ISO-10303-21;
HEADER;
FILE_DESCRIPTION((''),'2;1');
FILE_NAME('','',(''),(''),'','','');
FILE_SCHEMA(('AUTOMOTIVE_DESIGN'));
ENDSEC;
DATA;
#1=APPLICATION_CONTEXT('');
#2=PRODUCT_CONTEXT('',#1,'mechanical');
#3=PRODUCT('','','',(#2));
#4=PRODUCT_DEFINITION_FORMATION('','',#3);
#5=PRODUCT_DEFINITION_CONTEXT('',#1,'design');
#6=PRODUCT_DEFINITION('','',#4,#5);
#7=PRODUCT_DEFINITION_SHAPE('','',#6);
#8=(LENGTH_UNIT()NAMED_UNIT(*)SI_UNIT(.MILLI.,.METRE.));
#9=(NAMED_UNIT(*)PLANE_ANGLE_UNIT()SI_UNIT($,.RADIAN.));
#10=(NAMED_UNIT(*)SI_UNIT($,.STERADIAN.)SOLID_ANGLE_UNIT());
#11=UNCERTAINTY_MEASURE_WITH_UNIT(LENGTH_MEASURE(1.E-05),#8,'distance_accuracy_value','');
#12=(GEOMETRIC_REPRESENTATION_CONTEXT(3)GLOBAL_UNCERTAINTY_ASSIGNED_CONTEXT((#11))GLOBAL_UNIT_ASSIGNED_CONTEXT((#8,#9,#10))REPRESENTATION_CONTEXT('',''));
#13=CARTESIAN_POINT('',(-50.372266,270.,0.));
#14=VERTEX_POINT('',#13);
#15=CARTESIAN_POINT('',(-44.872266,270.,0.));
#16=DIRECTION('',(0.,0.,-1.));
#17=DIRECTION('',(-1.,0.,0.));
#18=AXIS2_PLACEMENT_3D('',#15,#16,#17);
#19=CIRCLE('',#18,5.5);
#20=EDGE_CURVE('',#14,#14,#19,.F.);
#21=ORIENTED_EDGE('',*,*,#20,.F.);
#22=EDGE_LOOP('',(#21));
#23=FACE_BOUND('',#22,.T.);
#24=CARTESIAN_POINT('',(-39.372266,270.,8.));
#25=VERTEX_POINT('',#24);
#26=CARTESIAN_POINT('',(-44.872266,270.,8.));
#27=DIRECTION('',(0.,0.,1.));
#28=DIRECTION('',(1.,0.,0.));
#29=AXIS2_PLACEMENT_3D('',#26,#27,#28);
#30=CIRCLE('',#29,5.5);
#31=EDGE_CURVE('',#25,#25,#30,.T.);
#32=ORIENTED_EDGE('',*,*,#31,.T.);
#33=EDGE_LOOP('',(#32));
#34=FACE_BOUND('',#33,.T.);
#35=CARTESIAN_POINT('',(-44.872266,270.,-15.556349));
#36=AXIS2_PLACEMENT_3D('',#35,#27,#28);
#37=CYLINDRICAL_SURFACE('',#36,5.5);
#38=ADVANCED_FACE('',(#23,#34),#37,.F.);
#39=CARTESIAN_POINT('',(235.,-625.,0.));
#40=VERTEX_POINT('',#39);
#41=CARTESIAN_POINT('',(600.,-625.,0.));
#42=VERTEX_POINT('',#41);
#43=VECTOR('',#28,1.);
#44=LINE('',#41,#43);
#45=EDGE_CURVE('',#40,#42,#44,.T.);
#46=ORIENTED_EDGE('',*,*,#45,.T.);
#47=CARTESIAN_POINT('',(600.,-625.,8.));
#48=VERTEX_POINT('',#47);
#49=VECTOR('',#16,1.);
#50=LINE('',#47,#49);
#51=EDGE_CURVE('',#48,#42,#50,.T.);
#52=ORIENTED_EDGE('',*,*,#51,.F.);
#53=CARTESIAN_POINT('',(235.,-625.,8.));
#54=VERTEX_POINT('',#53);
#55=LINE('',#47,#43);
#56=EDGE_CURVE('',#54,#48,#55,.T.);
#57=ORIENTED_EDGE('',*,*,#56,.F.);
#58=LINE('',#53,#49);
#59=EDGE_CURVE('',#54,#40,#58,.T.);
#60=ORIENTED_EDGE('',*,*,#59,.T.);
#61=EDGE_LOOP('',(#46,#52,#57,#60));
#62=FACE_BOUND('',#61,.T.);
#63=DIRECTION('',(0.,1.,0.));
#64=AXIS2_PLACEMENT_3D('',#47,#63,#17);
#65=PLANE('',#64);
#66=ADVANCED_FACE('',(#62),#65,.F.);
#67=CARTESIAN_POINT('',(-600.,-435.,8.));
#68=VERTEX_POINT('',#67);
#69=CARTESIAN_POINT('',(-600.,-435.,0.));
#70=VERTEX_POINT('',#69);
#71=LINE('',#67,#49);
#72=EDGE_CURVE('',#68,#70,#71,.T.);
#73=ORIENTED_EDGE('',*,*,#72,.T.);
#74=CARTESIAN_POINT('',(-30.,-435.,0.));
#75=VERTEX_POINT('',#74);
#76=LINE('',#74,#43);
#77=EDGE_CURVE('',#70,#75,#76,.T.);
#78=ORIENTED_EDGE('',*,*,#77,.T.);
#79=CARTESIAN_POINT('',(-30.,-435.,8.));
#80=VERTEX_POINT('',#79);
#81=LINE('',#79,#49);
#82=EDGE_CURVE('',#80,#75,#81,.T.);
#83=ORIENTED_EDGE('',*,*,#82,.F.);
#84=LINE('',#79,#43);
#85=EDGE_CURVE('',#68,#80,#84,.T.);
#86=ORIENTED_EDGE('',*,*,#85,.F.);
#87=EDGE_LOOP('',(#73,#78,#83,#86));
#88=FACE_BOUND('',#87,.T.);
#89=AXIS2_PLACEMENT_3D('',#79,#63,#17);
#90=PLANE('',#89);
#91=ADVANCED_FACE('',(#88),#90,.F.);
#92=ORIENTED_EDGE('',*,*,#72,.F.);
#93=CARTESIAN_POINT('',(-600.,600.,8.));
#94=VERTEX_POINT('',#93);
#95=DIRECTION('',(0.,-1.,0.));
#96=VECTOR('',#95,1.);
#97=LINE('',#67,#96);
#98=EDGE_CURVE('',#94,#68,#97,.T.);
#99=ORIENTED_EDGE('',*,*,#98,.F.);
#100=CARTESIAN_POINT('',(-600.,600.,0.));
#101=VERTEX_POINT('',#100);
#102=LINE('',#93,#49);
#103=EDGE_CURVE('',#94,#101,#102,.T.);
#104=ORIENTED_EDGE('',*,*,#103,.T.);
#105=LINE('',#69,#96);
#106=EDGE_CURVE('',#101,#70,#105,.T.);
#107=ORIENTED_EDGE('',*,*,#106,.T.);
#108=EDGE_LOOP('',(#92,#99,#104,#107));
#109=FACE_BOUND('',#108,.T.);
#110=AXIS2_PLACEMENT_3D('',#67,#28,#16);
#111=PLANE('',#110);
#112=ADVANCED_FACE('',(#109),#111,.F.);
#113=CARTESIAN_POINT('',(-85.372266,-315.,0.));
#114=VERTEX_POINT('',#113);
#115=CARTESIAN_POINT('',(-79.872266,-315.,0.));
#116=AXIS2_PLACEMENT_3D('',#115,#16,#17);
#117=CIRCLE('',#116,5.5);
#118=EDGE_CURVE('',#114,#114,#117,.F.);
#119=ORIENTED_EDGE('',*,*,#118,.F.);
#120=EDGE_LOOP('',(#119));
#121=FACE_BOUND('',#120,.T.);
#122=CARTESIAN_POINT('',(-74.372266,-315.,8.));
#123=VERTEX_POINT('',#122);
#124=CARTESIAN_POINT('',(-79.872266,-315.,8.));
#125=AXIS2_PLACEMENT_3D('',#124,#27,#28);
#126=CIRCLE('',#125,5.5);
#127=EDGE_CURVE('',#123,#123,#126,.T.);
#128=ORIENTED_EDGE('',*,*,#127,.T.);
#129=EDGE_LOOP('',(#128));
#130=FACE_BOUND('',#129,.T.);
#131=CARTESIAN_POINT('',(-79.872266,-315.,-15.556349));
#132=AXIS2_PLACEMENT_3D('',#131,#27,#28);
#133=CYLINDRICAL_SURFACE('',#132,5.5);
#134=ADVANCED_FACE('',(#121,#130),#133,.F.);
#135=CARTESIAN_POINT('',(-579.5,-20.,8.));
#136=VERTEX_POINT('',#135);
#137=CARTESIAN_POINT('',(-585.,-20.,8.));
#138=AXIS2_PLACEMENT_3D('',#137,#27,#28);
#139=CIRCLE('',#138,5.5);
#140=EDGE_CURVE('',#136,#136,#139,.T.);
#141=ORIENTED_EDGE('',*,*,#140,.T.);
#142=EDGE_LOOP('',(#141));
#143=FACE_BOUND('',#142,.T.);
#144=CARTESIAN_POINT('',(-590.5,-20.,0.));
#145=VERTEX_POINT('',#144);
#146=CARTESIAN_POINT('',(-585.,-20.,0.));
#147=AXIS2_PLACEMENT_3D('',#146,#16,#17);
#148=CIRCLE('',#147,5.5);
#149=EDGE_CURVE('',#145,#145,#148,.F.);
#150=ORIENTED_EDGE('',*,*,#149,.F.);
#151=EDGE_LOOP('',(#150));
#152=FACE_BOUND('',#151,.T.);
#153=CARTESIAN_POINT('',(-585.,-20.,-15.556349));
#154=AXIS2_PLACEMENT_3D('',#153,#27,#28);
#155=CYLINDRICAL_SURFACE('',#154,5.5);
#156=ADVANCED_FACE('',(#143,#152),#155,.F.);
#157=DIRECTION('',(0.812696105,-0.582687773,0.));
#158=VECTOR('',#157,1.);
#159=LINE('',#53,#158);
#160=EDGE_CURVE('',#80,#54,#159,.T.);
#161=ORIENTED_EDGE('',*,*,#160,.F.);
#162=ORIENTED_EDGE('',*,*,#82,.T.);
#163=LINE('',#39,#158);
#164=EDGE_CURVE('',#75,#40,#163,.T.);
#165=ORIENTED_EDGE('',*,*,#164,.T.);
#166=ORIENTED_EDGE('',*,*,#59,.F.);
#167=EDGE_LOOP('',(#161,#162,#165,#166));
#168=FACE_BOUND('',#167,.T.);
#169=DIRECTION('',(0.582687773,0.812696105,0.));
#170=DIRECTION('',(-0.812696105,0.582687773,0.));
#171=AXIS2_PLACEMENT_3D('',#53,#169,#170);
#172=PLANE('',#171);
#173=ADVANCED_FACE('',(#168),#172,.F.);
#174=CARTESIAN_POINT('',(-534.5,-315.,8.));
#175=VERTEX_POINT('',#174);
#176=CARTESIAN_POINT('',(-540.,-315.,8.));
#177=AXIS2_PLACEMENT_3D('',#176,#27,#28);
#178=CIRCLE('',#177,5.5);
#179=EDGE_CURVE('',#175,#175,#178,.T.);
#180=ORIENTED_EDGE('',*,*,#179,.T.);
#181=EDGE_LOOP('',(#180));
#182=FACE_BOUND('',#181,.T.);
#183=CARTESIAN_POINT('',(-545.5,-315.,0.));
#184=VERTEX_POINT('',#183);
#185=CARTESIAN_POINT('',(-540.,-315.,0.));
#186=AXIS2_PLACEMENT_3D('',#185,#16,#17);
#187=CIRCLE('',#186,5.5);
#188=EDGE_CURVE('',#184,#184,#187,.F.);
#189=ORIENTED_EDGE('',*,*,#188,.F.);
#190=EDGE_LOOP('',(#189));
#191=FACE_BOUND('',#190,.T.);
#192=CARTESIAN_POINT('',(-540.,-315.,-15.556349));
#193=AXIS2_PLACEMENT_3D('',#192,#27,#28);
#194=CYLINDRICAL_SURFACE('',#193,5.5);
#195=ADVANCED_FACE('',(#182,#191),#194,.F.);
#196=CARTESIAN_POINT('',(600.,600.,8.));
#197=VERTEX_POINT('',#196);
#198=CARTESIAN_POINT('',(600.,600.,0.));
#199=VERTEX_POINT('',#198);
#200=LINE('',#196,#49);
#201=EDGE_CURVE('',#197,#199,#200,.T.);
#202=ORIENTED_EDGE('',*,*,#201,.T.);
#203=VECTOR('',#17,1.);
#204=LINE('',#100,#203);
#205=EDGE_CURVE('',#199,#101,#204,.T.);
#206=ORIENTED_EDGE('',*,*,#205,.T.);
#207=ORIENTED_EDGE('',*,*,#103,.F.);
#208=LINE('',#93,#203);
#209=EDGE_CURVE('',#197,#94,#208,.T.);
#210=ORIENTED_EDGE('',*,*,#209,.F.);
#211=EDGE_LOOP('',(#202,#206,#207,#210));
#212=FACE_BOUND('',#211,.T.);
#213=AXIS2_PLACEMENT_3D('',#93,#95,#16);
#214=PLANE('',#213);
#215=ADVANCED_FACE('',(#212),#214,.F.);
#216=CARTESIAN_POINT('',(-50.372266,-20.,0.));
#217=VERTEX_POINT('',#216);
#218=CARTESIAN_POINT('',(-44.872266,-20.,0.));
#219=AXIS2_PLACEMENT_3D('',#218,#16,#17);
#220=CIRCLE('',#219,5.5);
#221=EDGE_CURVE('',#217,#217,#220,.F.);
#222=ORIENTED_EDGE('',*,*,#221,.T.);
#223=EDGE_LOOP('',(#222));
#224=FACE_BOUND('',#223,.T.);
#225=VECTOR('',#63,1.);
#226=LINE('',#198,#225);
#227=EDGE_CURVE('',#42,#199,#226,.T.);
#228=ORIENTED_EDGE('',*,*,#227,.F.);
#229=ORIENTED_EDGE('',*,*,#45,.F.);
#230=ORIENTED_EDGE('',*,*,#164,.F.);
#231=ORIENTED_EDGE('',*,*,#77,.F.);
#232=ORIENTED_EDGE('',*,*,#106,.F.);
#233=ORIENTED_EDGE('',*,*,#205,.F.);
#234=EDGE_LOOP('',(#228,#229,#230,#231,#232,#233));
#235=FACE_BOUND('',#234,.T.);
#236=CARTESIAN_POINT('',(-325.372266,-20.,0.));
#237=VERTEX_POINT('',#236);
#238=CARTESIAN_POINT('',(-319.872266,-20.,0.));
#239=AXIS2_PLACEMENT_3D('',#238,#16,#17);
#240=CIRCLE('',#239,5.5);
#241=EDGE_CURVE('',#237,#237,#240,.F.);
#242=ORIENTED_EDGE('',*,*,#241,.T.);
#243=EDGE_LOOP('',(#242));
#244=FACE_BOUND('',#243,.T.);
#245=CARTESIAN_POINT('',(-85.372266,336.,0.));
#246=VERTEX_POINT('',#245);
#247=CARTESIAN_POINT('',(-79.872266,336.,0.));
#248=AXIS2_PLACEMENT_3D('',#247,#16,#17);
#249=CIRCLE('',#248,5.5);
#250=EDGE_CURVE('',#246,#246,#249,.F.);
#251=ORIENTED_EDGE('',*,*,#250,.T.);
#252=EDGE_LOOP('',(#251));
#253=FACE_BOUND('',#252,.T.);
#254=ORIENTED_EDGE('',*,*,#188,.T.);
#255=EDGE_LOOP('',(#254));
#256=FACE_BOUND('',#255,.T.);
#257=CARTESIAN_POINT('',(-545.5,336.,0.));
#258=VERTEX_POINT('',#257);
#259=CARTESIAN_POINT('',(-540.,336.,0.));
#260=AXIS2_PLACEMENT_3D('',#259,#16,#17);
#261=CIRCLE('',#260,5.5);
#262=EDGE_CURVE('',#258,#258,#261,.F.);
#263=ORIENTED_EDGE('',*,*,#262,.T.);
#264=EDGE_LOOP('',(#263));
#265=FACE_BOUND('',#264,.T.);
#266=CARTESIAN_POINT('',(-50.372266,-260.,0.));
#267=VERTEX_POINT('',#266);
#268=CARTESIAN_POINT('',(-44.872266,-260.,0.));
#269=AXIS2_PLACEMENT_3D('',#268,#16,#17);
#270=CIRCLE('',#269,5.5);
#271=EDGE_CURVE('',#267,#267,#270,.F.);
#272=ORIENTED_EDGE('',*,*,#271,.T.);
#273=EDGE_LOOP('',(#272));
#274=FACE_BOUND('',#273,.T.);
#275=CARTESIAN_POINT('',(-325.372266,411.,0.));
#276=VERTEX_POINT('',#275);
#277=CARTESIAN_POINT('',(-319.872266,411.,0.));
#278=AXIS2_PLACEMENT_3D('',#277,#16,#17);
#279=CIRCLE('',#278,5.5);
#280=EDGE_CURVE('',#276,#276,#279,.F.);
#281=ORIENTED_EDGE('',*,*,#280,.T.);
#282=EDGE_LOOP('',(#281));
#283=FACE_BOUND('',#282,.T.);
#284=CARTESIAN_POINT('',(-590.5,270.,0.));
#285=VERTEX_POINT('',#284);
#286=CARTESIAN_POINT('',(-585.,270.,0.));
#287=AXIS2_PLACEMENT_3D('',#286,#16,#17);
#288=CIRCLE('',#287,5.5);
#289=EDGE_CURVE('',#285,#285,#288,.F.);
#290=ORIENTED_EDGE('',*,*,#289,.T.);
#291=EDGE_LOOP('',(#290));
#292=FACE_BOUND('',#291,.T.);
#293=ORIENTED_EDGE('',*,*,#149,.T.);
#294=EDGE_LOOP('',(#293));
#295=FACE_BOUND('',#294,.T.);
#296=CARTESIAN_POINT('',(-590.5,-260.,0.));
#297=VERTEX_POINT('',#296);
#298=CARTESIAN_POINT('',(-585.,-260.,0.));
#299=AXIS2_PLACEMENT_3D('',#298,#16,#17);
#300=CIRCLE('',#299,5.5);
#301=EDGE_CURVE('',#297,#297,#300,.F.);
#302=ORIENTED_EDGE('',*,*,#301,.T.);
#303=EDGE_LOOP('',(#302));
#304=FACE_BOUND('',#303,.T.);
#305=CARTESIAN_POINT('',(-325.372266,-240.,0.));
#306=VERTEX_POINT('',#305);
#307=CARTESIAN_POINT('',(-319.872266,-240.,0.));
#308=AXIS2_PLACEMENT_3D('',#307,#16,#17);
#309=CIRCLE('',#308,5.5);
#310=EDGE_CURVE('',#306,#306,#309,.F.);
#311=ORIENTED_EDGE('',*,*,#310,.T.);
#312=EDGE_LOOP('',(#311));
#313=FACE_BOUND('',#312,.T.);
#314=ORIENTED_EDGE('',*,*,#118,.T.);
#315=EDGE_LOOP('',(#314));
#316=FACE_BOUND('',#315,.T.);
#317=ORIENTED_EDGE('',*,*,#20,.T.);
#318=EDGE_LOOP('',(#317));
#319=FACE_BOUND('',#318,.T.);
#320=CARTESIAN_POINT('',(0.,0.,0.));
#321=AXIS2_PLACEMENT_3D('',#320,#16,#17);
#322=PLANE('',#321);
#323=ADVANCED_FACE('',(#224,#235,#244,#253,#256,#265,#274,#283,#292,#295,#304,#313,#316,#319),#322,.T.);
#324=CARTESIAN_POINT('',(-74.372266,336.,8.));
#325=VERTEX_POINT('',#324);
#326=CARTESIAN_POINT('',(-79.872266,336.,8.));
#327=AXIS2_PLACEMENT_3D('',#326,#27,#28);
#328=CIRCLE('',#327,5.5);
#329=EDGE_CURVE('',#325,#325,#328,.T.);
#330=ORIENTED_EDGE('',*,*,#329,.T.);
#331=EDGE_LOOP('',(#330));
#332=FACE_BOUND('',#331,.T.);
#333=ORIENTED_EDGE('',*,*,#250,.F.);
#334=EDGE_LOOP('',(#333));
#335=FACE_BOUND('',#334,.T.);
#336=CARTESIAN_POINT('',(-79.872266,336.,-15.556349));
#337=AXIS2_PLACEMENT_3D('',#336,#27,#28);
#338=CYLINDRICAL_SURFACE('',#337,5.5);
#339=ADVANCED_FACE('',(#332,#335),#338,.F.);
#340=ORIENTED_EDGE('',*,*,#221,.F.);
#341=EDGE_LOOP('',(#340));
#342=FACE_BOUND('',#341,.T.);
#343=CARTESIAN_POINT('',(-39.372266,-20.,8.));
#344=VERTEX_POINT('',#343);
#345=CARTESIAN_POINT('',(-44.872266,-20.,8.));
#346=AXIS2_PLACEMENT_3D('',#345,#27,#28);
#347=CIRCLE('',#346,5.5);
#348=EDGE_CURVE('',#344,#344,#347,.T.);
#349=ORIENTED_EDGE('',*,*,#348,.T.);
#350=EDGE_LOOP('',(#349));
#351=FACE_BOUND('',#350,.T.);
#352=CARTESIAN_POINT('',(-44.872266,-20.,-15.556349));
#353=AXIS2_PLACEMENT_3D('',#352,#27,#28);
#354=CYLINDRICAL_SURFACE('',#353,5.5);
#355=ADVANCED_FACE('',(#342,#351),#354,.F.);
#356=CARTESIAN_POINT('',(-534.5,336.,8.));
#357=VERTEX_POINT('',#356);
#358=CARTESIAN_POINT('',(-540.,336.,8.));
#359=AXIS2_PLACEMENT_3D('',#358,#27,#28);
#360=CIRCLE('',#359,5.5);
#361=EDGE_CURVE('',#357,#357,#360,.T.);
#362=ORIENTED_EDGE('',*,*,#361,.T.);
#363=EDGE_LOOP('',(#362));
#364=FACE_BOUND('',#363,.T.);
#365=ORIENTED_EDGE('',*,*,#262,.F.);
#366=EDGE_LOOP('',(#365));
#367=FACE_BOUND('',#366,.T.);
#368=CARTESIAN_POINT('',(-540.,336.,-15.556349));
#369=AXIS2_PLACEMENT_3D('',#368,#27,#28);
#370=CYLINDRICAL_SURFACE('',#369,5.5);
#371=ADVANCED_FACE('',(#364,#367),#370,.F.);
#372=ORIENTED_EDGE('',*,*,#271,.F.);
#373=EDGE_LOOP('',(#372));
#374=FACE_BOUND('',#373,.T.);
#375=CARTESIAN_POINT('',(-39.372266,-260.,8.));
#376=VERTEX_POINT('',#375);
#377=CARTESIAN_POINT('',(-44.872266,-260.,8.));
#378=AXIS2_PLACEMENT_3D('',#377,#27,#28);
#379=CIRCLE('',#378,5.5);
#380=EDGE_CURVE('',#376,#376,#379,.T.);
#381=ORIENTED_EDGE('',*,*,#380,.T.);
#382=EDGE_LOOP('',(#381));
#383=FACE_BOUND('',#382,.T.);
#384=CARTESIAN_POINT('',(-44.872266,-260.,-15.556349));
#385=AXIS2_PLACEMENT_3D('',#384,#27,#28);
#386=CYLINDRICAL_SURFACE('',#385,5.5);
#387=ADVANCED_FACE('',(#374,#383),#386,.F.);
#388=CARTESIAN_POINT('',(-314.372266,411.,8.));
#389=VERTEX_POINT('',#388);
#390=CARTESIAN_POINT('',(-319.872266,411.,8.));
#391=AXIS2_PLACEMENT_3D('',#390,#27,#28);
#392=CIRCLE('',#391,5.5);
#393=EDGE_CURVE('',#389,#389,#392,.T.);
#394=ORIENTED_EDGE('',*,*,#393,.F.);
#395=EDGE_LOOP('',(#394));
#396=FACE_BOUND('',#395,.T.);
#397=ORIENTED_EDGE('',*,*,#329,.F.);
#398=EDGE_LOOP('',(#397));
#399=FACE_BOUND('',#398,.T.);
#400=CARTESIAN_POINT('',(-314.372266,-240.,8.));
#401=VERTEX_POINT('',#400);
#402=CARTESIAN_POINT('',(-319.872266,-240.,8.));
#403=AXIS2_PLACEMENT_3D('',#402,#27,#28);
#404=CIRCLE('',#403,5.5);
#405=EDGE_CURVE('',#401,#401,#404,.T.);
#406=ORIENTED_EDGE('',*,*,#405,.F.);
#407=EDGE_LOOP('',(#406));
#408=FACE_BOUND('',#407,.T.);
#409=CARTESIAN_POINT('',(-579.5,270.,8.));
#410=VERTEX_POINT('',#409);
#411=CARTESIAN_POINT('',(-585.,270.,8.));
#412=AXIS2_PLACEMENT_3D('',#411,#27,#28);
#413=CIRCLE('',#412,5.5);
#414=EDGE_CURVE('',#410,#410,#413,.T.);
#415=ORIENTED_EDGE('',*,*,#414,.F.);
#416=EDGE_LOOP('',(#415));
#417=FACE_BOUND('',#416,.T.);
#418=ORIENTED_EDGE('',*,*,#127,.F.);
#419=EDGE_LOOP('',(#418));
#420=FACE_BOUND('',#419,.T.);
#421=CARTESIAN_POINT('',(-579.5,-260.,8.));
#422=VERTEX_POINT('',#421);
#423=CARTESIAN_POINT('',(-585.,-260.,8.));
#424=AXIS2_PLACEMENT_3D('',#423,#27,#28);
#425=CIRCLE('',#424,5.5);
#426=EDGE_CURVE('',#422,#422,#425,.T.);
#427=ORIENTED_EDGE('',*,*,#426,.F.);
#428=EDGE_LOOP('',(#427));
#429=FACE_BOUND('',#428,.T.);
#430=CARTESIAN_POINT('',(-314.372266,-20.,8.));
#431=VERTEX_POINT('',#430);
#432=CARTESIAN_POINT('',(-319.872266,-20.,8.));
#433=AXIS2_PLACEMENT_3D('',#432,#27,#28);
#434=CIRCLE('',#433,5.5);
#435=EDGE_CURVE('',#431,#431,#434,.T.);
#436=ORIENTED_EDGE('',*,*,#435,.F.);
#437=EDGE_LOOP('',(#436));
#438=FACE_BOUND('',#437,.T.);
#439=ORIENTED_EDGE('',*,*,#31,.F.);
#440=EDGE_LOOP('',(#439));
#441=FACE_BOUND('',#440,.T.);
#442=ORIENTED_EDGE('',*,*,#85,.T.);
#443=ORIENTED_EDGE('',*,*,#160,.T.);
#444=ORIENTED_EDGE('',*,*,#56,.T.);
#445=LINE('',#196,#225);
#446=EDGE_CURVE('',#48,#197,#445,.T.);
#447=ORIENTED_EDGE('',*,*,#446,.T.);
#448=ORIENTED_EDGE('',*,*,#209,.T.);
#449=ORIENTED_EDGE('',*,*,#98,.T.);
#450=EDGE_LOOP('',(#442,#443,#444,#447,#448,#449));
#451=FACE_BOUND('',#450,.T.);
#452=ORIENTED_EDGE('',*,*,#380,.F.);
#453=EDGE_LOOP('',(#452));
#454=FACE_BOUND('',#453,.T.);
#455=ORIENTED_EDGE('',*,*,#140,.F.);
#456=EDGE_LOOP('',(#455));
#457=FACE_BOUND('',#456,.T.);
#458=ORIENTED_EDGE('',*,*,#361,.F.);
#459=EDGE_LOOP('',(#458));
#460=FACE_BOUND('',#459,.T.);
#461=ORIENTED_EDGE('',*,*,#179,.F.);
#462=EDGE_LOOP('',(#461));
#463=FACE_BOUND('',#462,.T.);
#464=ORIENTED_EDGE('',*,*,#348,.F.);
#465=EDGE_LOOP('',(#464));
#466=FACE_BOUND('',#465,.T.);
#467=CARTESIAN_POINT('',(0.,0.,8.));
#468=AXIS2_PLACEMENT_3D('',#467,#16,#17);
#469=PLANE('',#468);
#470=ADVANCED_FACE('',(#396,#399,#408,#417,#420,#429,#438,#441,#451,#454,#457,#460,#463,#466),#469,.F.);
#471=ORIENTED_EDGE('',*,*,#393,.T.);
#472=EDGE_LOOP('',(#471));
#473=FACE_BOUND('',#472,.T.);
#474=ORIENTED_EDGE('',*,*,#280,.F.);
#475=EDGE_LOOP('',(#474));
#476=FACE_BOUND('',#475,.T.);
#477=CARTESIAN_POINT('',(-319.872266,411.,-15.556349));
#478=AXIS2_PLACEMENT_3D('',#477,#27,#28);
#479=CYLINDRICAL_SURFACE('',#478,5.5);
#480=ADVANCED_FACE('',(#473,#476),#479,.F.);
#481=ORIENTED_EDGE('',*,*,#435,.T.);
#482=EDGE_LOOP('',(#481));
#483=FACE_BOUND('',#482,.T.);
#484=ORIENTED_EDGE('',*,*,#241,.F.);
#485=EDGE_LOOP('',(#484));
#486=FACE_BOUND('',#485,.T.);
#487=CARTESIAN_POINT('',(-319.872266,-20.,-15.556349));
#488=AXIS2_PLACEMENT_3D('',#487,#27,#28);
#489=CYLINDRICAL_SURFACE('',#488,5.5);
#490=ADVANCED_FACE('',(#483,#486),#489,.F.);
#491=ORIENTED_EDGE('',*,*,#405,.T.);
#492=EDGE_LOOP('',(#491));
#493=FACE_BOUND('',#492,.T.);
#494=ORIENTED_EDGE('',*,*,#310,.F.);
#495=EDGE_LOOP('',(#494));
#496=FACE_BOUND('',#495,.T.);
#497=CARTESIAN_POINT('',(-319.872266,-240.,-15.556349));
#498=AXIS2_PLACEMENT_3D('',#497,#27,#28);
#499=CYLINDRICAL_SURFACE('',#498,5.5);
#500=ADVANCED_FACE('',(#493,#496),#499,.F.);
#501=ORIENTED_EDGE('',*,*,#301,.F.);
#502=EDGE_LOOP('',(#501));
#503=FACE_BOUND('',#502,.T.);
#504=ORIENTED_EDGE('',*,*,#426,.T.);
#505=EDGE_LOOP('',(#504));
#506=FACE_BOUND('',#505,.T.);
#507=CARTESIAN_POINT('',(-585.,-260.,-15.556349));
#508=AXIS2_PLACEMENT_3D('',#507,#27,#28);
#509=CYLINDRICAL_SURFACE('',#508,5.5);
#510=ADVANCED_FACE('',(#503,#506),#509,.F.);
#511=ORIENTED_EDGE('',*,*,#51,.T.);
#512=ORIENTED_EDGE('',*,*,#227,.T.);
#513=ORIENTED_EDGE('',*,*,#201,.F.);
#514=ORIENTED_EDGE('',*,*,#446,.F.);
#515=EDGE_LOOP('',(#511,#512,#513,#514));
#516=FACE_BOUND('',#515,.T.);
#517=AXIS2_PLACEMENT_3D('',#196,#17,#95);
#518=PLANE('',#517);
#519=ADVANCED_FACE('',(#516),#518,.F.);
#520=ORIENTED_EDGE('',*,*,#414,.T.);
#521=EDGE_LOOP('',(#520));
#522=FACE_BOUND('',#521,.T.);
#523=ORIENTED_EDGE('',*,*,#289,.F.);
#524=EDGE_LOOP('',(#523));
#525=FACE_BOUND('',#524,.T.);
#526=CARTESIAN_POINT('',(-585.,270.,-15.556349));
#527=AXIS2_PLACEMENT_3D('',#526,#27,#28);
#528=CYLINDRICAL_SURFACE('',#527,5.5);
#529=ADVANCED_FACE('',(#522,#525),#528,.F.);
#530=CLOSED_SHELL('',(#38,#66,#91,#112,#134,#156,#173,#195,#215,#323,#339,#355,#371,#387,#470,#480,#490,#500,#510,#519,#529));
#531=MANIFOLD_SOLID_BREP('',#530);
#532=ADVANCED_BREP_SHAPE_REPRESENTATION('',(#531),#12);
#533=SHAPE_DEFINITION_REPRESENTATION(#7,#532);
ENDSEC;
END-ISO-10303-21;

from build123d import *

# Parameters (mm, degrees)
ESTRUSIONE_ESTRUSIONE1_DEPTH = 8
SCHIZZO2_R                   = 5.5
TAGLIO_ESTRUSIONE1_DEPTH     = 8


with BuildPart() as part:
    # Schizzo1 → Estrusione-Estrusione1 (new body)
    with BuildSketch(Plane.XY):
        Polygon((-600, 600), (600, 600), (600, -625), (235, -625), (-30, -435), (-600, -435), align=None)
    extrude(amount=ESTRUSIONE_ESTRUSIONE1_DEPTH)

    # Schizzo2 → Taglio-Estrusione1 (cut)
    with BuildSketch(Plane.XY.offset(8)):
        with Locations((-585, -260)):
            Circle(SCHIZZO2_R)
        with Locations((-540, -315)):
            Circle(SCHIZZO2_R)
        with Locations((-79.872266189, -315)):
            Circle(SCHIZZO2_R)
        with Locations((-44.872266189, -260)):
            Circle(SCHIZZO2_R)
        with Locations((-44.872266189, -20)):
            Circle(SCHIZZO2_R)
        with Locations((-79.872266189, 336)):
            Circle(SCHIZZO2_R)
        with Locations((-540, 336)):
            Circle(SCHIZZO2_R)
        with Locations((-585, -20)):
            Circle(SCHIZZO2_R)
        with Locations((-585, 270)):
            Circle(SCHIZZO2_R)
        with Locations((-44.872266189, 270)):
            Circle(SCHIZZO2_R)
        with Locations((-319.872266189, 411)):
            Circle(SCHIZZO2_R)
        with Locations((-319.872266189, -20)):
            Circle(SCHIZZO2_R)
        with Locations((-319.872266189, -240)):
            Circle(SCHIZZO2_R)
    extrude(amount=-TAGLIO_ESTRUSIONE1_DEPTH, mode=Mode.SUBTRACT)


solid = part.part
